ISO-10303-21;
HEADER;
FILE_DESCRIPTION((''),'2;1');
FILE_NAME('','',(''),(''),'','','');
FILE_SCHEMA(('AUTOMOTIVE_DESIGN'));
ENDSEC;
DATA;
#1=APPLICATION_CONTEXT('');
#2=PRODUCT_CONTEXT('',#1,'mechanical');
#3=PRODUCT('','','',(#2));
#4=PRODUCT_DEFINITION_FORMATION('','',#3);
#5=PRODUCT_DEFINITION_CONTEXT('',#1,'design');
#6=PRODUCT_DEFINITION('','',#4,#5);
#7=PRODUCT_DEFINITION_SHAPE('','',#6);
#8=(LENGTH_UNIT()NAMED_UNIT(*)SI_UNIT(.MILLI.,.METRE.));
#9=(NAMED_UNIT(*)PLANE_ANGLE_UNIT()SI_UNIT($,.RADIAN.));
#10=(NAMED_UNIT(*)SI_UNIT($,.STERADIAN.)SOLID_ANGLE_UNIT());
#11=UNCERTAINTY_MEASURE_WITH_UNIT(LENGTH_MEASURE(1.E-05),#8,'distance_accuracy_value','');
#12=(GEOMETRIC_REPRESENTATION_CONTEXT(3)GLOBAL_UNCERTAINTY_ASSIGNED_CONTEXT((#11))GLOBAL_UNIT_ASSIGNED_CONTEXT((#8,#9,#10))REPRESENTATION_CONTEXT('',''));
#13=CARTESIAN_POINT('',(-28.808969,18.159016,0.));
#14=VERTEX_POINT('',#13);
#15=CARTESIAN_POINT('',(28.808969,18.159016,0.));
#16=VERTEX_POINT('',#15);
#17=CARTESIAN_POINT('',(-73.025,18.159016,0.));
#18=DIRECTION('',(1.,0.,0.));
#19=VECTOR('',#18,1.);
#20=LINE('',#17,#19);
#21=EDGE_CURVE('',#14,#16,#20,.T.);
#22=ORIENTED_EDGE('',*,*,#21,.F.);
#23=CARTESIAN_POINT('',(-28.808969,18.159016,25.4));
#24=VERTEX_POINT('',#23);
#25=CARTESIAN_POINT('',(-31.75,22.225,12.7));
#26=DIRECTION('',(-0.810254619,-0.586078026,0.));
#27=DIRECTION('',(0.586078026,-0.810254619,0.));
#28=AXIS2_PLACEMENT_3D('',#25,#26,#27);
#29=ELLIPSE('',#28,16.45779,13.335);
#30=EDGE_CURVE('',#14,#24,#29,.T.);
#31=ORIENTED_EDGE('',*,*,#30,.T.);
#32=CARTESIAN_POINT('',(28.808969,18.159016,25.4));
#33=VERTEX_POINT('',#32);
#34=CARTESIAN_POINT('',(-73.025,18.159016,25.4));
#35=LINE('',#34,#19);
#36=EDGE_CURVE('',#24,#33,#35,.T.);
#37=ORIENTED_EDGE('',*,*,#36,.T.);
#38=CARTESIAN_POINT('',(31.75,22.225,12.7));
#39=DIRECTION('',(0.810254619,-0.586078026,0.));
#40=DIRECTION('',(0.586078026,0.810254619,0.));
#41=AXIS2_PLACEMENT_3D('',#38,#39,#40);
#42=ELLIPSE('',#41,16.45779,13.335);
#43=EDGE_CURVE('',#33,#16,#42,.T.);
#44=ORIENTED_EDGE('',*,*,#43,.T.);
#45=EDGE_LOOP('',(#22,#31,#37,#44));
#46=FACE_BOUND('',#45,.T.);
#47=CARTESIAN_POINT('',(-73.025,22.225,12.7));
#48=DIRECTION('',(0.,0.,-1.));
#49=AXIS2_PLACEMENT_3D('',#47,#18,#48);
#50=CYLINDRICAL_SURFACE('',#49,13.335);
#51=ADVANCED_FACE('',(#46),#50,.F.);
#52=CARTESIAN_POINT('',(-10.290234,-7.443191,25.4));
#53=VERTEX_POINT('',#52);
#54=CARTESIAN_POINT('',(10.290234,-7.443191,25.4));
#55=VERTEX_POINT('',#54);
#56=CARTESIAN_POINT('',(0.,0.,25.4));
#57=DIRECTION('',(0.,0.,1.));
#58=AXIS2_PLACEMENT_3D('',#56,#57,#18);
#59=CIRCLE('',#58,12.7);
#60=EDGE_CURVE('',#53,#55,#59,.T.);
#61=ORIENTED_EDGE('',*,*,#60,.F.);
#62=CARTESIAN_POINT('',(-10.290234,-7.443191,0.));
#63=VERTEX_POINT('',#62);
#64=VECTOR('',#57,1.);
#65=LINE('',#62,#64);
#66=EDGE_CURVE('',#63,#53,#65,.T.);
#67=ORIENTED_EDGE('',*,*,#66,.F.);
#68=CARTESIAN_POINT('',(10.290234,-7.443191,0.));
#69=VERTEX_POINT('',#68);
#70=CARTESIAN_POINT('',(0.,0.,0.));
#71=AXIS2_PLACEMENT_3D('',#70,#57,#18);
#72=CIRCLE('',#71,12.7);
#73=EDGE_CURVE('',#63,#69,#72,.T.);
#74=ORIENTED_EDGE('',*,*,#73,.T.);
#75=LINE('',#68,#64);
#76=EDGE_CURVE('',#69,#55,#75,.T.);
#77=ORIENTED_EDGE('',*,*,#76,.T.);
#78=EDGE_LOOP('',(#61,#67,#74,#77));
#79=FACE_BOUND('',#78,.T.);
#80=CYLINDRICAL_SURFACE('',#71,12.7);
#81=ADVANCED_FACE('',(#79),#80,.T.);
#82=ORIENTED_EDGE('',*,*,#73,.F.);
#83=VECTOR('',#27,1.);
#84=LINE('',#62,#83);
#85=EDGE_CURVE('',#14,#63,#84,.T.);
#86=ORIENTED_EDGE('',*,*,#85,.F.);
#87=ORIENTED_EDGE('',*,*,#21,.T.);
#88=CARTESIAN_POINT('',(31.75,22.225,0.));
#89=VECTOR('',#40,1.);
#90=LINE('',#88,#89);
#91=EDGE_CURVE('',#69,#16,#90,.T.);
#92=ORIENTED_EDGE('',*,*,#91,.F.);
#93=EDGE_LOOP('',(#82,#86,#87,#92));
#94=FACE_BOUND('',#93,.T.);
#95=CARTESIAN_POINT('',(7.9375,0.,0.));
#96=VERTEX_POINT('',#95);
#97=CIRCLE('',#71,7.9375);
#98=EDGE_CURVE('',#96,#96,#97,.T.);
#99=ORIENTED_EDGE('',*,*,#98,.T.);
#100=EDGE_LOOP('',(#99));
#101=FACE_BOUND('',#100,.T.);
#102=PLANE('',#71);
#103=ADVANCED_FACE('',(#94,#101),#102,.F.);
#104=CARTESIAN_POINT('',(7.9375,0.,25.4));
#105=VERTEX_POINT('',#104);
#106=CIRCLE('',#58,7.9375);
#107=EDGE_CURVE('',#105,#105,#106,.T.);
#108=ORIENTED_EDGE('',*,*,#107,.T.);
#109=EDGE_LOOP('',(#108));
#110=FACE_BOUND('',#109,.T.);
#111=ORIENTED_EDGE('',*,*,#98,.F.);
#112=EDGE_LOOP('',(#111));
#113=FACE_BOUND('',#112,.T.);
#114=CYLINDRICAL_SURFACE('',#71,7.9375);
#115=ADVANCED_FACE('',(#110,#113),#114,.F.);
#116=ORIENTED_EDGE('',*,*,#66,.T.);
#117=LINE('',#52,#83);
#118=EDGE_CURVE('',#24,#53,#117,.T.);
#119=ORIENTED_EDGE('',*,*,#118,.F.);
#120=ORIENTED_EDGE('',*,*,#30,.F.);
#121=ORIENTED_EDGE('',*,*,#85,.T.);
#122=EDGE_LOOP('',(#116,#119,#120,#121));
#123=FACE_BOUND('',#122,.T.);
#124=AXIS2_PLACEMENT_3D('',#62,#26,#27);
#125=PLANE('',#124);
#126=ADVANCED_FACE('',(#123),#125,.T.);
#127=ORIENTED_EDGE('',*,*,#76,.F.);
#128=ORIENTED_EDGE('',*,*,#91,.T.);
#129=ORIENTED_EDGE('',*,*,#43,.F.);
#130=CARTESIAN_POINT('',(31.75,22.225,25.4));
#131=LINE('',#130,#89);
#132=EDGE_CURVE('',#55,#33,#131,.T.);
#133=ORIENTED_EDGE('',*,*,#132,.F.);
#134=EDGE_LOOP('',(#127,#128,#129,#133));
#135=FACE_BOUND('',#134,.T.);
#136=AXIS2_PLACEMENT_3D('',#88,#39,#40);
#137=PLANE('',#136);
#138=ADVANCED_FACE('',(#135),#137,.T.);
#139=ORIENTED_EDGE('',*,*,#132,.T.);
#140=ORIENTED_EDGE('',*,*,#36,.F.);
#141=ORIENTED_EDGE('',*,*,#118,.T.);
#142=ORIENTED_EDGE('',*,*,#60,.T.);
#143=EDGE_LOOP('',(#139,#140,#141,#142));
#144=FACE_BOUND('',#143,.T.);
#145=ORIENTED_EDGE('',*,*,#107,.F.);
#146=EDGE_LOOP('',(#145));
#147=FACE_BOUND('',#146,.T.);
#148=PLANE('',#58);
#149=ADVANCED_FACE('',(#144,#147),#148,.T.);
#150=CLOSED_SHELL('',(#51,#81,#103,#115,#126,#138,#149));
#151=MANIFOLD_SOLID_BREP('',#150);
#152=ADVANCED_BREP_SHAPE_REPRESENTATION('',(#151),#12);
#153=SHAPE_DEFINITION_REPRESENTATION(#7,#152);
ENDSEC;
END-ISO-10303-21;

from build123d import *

# Parameters (mm, degrees)
EXTRUDE1_START = 25.4
SKETCH1_R      = 7.9375
EXTRUDE1_DEPTH = 25.4
SKETCH2_R      = 13.335
EXTRUDE3_DEPTH = 73.025


with BuildPart() as part:
    # Sketch1 → Extrude1 (new body)
    with BuildSketch(Plane.XY.offset(EXTRUDE1_START)):
        with BuildLine():
            Line((-10.290233655, -7.443190936), (-31.75, 22.225))
            Line((-31.75, 22.225), (31.75, 22.225))
            Line((31.75, 22.225), (10.290233655, -7.443190936))
            ThreePointArc((10.290233655, -7.443190936), (0, -12.7), (-10.290233655, -7.443190936))
        make_face()
        Circle(SKETCH1_R, mode=Mode.SUBTRACT)
    extrude(amount=-EXTRUDE1_DEPTH)

    # Sketch2 → Extrude3 (cut, symmetric)
    with BuildSketch(Plane(origin=(0, 0, 0), x_dir=(0, 0, -1), z_dir=(1, 0, 0))):
        with Locations((-12.7, 22.225)):
            Circle(SKETCH2_R)
    extrude(amount=EXTRUDE3_DEPTH, both=True, mode=Mode.SUBTRACT)


solid = part.part
